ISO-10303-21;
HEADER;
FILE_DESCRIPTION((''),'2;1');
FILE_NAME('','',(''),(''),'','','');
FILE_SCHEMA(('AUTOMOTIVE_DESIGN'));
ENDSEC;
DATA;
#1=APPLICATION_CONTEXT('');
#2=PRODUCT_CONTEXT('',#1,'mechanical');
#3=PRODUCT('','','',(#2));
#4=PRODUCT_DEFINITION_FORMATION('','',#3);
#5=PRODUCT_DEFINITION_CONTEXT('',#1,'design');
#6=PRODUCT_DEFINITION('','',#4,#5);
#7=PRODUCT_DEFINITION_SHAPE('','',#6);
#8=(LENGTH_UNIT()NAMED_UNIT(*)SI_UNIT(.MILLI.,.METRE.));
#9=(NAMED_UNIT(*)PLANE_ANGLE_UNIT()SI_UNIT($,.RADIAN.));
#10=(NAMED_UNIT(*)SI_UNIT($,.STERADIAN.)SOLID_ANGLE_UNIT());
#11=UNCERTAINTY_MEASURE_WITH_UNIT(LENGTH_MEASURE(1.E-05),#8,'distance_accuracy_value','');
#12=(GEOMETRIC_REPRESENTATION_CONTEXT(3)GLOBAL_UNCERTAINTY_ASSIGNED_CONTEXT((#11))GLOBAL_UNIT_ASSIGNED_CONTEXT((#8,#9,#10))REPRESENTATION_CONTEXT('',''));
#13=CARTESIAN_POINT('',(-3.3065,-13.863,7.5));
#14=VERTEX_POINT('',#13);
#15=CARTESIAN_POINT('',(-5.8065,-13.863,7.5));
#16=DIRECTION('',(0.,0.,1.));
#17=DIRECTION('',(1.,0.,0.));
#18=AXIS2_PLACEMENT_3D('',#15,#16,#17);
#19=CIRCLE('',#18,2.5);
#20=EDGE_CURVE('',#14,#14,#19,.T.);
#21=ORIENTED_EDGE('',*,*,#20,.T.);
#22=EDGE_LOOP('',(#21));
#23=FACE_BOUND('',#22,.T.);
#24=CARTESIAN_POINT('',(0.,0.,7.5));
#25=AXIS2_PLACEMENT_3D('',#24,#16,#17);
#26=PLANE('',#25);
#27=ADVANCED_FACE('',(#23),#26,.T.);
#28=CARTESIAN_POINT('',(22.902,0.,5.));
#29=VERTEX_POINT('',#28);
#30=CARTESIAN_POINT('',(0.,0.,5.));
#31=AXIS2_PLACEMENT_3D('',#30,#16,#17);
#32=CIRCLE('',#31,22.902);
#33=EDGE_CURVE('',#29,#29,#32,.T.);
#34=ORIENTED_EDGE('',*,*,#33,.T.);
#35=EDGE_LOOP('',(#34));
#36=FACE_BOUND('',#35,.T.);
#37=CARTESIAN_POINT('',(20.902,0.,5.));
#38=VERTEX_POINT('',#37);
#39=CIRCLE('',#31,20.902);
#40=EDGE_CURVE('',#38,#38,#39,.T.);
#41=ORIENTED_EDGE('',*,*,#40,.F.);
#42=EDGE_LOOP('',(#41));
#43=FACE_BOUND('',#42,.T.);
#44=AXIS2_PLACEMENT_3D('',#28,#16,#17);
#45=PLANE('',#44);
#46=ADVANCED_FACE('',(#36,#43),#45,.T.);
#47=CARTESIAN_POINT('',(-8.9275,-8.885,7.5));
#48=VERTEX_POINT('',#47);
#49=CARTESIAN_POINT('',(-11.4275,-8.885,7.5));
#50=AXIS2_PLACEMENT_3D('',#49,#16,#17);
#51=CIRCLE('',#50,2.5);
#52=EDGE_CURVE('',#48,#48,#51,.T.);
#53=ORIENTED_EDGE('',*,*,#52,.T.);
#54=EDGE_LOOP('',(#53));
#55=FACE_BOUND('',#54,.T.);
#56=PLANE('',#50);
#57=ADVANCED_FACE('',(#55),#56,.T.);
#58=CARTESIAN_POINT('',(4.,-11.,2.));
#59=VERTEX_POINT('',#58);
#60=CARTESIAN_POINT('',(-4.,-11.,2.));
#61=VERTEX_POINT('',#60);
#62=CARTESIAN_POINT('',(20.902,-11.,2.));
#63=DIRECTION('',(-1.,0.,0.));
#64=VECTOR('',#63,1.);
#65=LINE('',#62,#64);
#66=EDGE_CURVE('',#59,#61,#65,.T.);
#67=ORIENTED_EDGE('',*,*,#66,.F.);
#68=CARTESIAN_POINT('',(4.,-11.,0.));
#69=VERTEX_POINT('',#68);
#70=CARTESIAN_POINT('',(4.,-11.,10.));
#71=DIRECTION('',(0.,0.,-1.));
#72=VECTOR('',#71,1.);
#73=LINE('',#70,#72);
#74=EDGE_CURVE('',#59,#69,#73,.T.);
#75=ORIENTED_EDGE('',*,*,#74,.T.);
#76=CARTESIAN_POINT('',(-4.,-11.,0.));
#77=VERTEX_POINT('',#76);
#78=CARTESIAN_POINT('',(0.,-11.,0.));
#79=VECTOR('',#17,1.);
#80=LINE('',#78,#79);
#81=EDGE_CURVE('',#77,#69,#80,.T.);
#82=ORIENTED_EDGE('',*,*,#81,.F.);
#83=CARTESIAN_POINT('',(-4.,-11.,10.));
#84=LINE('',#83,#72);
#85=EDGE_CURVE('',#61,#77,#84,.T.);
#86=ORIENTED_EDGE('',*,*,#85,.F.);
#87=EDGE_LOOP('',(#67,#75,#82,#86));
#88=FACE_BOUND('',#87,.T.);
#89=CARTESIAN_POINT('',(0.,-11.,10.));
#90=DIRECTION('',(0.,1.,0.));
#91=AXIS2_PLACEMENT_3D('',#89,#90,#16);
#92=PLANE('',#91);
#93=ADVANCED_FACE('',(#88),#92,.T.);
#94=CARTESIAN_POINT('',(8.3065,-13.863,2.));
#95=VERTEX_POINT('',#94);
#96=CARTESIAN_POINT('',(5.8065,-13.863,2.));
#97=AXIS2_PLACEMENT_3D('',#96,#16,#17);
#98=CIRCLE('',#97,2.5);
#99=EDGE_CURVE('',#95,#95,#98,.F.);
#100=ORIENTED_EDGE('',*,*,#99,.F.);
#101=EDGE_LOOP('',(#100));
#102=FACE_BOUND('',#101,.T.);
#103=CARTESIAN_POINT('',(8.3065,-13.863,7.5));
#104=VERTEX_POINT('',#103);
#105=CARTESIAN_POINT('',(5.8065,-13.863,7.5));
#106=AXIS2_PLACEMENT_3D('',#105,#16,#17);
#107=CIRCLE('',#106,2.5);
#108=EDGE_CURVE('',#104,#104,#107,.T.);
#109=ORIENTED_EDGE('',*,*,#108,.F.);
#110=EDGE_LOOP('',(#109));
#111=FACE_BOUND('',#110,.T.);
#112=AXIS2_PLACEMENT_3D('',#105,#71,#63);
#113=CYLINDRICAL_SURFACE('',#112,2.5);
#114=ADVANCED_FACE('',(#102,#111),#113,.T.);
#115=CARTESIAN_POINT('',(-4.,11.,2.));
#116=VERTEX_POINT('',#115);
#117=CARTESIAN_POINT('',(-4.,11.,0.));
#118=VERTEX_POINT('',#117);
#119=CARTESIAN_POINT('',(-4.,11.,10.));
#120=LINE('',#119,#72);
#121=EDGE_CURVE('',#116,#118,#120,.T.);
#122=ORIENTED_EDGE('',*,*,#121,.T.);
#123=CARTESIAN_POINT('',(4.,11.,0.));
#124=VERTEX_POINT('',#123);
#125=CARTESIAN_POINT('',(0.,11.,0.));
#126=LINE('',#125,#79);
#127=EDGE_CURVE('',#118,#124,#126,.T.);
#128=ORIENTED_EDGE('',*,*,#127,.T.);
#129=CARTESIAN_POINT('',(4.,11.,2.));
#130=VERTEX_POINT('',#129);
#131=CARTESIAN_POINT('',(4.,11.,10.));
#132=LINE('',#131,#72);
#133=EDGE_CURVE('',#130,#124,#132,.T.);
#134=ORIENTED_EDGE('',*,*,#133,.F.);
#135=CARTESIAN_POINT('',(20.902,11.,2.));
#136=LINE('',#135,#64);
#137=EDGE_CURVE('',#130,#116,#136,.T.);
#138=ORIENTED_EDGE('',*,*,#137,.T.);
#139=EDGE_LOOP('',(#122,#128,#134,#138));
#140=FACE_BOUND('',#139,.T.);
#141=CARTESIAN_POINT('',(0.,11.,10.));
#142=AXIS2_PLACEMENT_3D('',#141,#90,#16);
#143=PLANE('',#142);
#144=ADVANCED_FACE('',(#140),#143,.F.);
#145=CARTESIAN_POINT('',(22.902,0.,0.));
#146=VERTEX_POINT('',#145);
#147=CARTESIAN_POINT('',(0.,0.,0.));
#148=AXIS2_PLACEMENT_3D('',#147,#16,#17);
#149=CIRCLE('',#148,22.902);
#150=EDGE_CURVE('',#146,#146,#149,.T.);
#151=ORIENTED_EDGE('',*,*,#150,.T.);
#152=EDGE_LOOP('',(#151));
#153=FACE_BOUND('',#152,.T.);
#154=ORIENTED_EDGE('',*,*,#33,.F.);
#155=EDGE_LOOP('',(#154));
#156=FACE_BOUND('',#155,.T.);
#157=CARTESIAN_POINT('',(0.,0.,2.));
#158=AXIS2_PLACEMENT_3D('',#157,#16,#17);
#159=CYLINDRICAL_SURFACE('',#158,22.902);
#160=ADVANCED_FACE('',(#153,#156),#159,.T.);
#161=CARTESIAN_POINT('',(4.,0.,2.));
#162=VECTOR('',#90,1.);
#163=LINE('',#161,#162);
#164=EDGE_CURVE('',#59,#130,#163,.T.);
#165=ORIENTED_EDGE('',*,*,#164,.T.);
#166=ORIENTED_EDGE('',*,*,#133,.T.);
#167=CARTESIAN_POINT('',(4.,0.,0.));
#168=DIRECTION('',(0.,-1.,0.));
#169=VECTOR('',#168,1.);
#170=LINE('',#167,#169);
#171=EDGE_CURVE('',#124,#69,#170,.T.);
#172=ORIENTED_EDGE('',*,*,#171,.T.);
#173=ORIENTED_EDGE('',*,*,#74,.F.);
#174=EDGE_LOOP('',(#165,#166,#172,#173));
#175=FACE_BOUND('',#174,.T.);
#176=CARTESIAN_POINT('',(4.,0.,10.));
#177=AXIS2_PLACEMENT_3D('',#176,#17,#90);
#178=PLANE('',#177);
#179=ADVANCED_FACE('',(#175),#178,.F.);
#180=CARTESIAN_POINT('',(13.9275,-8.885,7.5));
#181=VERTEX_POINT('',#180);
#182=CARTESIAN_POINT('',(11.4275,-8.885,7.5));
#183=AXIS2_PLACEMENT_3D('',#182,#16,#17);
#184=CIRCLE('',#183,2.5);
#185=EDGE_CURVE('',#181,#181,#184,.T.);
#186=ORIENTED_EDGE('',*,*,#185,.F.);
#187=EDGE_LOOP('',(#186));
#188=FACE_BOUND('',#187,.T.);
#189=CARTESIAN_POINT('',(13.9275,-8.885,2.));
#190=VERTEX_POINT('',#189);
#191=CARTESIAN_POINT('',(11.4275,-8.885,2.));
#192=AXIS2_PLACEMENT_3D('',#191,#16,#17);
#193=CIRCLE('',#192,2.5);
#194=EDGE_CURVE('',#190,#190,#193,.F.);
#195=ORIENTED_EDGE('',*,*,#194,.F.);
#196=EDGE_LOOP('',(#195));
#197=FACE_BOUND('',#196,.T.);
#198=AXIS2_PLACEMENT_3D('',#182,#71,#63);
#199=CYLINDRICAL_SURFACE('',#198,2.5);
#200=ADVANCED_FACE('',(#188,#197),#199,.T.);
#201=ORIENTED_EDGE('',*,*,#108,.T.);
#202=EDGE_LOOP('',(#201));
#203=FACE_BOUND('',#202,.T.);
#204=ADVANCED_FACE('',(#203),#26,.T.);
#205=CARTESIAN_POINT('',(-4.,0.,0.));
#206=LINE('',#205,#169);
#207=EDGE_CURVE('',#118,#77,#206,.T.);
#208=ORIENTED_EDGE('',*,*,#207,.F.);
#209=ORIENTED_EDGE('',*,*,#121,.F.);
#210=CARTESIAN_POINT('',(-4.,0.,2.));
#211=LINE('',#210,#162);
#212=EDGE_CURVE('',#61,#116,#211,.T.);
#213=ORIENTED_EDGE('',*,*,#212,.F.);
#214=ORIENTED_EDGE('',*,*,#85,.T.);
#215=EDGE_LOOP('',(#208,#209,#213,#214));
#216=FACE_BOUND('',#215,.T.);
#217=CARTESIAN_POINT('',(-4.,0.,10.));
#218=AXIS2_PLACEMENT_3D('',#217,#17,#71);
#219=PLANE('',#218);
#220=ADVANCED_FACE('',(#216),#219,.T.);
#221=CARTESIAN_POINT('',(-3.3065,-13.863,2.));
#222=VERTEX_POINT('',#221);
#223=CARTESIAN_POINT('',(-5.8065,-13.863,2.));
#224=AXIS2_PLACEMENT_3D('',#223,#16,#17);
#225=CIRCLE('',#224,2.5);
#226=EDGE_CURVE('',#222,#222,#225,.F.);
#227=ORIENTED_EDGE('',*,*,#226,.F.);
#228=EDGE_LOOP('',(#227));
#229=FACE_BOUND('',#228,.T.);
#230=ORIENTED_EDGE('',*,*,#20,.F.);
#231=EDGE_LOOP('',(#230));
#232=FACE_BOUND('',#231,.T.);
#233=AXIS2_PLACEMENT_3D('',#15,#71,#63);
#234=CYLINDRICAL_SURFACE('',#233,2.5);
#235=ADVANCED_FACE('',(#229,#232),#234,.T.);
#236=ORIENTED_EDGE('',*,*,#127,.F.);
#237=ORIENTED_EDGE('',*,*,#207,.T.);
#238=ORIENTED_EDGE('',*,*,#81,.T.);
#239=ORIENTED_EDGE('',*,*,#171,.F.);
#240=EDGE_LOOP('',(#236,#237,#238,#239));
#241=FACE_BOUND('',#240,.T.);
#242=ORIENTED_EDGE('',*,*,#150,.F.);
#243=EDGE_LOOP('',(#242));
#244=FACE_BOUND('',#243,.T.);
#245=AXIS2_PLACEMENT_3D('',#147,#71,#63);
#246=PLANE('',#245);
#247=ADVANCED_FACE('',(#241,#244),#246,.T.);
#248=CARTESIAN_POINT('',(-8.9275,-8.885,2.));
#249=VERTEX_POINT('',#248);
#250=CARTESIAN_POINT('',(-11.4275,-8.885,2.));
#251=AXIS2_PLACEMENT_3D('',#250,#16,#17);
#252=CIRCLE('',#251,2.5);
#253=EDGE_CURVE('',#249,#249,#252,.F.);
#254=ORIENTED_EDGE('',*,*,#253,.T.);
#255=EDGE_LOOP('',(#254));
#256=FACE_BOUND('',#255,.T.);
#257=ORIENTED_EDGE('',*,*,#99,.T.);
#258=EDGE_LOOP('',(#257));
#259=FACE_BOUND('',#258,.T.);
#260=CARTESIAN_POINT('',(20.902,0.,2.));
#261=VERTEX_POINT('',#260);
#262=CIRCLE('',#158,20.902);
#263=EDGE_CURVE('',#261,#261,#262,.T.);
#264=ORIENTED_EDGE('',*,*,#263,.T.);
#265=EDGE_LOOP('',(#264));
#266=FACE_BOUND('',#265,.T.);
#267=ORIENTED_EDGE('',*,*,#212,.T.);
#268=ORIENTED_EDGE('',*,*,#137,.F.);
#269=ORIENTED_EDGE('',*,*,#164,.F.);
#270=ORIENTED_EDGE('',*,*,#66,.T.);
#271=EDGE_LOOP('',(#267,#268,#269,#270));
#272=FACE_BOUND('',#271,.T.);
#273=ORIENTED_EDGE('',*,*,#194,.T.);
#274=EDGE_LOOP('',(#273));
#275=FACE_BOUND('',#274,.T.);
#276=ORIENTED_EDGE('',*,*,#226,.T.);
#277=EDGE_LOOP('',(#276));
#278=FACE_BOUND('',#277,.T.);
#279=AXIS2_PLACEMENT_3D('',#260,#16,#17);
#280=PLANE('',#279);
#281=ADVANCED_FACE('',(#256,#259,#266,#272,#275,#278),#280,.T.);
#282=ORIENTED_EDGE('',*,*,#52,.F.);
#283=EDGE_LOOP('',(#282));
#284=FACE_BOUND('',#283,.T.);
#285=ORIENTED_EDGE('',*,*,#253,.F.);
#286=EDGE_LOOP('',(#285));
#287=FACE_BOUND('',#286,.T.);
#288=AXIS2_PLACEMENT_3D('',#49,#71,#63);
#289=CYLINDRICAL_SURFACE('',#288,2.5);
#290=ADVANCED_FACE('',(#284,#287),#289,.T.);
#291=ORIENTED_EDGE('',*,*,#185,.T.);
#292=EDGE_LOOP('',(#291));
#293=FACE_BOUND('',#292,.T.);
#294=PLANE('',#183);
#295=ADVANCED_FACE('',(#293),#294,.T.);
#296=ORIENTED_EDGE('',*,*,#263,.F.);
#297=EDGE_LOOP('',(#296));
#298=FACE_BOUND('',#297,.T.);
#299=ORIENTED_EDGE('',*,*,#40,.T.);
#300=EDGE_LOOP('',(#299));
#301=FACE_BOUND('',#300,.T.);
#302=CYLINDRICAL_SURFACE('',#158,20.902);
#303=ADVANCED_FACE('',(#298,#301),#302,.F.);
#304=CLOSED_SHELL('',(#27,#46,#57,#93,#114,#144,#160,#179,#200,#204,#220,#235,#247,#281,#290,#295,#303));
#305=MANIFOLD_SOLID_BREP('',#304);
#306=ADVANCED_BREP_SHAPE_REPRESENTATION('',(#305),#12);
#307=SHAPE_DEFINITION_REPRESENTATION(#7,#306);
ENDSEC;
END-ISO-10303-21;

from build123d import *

# Parameters (mm, degrees)
SCHNITT_LINEAR_AUSTRAGEN1_DEPTH = 10
SKIZZE3_R                       = 2.5
AUFSATZ_LINEAR_AUSTRAGEN1_DEPTH = 7.5
AUFSATZ_LINEAR_AUSTRAGEN2_DEPTH = 7.5
SKIZZE3_6_R                     = 2.5
AUFSATZ_LINEAR_AUSTRAGEN3_DEPTH = 7.5
SKIZZE3_7_R                     = 2.5
AUFSATZ_LINEAR_AUSTRAGEN4_DEPTH = 7.5


with BuildPart() as part:
    # Skizze1 → Rotation2 (revolve)
    with BuildSketch(Plane(origin=(0, 0, 0), x_dir=(1, 0, 0), z_dir=(0, 1, 0))):
        Polygon((0, 0), (22.902, 0), (22.902, -5), (20.902, -5), (20.902, -2), (0, -2), align=None)
    revolve(axis=Axis((0, 0, 2), (0, 0, -1)))

    # Skizze2 → Schnitt-Linear austragen1 (cut)
    with BuildSketch(Plane(origin=(0, 0, 0), x_dir=(-1, 0, 0), z_dir=(0, 0, -1))):
        Polygon((4, 0), (4, 11), (-4, 11), (-4, -11), (4, -11), align=None)
    extrude(amount=-SCHNITT_LINEAR_AUSTRAGEN1_DEPTH, mode=Mode.SUBTRACT)

    # Skizze3 → Aufsatz-Linear austragen1 (add)
    with BuildSketch(Plane.XY):
        with Locations((11.4275, -8.885)):
            Circle(SKIZZE3_R)
    extrude(amount=AUFSATZ_LINEAR_AUSTRAGEN1_DEPTH)

    # Skizze3<5> → Aufsatz-Linear austragen2 (add)
    with BuildSketch(Plane.XY):
        with BuildLine():
            ThreePointArc((8.3065, -13.863), (5.8065, -11.363), (3.3065, -13.863))
            ThreePointArc((3.3065, -13.863), (5.8065, -16.363), (8.3065, -13.863))
        make_face()
    extrude(amount=AUFSATZ_LINEAR_AUSTRAGEN2_DEPTH)

    # Skizze3<6> → Aufsatz-Linear austragen3 (add)
    with BuildSketch(Plane.XY):
        with Locations((-5.8065, -13.863)):
            Circle(SKIZZE3_6_R)
    extrude(amount=AUFSATZ_LINEAR_AUSTRAGEN3_DEPTH)

    # Skizze3<7> → Aufsatz-Linear austragen4 (add)
    with BuildSketch(Plane.XY):
        with Locations((-11.4275, -8.885)):
            Circle(SKIZZE3_7_R)
    extrude(amount=AUFSATZ_LINEAR_AUSTRAGEN4_DEPTH)


solid = part.part
